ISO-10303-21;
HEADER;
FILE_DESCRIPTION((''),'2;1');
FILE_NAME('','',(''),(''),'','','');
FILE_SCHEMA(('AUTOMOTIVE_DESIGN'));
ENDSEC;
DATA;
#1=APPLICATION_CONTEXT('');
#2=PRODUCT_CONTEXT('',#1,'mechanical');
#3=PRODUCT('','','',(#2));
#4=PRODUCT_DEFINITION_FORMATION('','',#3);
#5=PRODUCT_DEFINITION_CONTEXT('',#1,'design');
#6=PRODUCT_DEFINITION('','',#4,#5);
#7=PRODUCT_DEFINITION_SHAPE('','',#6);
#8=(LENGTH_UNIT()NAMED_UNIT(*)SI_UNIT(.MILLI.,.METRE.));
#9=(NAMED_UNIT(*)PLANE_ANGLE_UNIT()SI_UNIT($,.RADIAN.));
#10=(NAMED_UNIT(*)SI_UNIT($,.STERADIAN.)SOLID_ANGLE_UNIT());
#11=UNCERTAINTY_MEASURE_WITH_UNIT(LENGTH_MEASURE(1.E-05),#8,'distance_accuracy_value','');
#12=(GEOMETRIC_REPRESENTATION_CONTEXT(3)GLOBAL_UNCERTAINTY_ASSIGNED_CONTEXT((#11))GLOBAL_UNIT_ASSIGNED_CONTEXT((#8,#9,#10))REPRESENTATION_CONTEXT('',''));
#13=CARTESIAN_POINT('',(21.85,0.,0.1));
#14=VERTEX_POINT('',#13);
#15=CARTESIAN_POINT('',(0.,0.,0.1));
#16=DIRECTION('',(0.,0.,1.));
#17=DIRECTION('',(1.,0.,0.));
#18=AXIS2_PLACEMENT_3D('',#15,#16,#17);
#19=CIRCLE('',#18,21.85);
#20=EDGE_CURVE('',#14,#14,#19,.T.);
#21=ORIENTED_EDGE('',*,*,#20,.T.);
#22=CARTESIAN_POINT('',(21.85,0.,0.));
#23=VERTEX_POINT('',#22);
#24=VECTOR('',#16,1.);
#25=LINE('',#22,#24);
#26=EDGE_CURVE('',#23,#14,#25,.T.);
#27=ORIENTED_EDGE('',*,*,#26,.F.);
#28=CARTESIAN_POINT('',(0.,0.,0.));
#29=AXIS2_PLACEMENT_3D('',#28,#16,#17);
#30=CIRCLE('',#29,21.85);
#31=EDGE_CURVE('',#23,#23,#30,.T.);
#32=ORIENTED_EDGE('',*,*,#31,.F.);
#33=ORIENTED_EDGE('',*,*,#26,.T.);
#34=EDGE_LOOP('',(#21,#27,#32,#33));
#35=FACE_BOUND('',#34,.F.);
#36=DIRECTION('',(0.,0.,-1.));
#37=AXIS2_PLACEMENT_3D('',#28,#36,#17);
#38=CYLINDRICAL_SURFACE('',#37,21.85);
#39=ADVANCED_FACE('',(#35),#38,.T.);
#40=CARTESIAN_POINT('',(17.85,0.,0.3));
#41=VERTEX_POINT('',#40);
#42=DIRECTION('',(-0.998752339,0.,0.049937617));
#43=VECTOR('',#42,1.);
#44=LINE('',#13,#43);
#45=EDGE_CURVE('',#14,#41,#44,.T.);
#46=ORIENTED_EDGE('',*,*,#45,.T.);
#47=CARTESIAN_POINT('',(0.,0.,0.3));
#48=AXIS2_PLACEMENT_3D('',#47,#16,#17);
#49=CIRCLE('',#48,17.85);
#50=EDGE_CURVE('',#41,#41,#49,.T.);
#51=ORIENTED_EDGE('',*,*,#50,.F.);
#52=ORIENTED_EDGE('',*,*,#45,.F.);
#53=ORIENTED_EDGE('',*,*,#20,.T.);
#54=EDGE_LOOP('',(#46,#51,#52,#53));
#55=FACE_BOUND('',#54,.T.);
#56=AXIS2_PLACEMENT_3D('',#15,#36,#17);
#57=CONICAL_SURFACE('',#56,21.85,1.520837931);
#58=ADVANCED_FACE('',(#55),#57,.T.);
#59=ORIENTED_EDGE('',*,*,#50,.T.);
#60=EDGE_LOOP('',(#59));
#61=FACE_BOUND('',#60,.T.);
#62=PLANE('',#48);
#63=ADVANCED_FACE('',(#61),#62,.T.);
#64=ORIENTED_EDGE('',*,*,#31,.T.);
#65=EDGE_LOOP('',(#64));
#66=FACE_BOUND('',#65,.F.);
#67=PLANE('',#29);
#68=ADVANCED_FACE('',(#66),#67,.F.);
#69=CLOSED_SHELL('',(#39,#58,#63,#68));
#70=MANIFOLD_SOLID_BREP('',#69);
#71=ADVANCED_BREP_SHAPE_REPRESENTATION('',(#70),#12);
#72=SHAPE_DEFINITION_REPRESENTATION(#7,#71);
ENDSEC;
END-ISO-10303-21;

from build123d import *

# Parameters (mm, degrees)
F0_R     = 21.85
F1_DEPTH = 0.3
F2_SIZE2 = 4
F2_SIZE  = 0.2


with BuildPart() as f1:
    # F0 (on Top) → F1 (new body)
    with BuildSketch(Plane.XY):
        Circle(F0_R)
    extrude(amount=F1_DEPTH)

    # F2
    f2_edges = [f1.edges().sort_by_distance(p)[0] for p in [
        (-21.85, 0, 0.3),
    ]]
    chamfer(f2_edges, length=F2_SIZE, length2=F2_SIZE2)


solid = f1.part
